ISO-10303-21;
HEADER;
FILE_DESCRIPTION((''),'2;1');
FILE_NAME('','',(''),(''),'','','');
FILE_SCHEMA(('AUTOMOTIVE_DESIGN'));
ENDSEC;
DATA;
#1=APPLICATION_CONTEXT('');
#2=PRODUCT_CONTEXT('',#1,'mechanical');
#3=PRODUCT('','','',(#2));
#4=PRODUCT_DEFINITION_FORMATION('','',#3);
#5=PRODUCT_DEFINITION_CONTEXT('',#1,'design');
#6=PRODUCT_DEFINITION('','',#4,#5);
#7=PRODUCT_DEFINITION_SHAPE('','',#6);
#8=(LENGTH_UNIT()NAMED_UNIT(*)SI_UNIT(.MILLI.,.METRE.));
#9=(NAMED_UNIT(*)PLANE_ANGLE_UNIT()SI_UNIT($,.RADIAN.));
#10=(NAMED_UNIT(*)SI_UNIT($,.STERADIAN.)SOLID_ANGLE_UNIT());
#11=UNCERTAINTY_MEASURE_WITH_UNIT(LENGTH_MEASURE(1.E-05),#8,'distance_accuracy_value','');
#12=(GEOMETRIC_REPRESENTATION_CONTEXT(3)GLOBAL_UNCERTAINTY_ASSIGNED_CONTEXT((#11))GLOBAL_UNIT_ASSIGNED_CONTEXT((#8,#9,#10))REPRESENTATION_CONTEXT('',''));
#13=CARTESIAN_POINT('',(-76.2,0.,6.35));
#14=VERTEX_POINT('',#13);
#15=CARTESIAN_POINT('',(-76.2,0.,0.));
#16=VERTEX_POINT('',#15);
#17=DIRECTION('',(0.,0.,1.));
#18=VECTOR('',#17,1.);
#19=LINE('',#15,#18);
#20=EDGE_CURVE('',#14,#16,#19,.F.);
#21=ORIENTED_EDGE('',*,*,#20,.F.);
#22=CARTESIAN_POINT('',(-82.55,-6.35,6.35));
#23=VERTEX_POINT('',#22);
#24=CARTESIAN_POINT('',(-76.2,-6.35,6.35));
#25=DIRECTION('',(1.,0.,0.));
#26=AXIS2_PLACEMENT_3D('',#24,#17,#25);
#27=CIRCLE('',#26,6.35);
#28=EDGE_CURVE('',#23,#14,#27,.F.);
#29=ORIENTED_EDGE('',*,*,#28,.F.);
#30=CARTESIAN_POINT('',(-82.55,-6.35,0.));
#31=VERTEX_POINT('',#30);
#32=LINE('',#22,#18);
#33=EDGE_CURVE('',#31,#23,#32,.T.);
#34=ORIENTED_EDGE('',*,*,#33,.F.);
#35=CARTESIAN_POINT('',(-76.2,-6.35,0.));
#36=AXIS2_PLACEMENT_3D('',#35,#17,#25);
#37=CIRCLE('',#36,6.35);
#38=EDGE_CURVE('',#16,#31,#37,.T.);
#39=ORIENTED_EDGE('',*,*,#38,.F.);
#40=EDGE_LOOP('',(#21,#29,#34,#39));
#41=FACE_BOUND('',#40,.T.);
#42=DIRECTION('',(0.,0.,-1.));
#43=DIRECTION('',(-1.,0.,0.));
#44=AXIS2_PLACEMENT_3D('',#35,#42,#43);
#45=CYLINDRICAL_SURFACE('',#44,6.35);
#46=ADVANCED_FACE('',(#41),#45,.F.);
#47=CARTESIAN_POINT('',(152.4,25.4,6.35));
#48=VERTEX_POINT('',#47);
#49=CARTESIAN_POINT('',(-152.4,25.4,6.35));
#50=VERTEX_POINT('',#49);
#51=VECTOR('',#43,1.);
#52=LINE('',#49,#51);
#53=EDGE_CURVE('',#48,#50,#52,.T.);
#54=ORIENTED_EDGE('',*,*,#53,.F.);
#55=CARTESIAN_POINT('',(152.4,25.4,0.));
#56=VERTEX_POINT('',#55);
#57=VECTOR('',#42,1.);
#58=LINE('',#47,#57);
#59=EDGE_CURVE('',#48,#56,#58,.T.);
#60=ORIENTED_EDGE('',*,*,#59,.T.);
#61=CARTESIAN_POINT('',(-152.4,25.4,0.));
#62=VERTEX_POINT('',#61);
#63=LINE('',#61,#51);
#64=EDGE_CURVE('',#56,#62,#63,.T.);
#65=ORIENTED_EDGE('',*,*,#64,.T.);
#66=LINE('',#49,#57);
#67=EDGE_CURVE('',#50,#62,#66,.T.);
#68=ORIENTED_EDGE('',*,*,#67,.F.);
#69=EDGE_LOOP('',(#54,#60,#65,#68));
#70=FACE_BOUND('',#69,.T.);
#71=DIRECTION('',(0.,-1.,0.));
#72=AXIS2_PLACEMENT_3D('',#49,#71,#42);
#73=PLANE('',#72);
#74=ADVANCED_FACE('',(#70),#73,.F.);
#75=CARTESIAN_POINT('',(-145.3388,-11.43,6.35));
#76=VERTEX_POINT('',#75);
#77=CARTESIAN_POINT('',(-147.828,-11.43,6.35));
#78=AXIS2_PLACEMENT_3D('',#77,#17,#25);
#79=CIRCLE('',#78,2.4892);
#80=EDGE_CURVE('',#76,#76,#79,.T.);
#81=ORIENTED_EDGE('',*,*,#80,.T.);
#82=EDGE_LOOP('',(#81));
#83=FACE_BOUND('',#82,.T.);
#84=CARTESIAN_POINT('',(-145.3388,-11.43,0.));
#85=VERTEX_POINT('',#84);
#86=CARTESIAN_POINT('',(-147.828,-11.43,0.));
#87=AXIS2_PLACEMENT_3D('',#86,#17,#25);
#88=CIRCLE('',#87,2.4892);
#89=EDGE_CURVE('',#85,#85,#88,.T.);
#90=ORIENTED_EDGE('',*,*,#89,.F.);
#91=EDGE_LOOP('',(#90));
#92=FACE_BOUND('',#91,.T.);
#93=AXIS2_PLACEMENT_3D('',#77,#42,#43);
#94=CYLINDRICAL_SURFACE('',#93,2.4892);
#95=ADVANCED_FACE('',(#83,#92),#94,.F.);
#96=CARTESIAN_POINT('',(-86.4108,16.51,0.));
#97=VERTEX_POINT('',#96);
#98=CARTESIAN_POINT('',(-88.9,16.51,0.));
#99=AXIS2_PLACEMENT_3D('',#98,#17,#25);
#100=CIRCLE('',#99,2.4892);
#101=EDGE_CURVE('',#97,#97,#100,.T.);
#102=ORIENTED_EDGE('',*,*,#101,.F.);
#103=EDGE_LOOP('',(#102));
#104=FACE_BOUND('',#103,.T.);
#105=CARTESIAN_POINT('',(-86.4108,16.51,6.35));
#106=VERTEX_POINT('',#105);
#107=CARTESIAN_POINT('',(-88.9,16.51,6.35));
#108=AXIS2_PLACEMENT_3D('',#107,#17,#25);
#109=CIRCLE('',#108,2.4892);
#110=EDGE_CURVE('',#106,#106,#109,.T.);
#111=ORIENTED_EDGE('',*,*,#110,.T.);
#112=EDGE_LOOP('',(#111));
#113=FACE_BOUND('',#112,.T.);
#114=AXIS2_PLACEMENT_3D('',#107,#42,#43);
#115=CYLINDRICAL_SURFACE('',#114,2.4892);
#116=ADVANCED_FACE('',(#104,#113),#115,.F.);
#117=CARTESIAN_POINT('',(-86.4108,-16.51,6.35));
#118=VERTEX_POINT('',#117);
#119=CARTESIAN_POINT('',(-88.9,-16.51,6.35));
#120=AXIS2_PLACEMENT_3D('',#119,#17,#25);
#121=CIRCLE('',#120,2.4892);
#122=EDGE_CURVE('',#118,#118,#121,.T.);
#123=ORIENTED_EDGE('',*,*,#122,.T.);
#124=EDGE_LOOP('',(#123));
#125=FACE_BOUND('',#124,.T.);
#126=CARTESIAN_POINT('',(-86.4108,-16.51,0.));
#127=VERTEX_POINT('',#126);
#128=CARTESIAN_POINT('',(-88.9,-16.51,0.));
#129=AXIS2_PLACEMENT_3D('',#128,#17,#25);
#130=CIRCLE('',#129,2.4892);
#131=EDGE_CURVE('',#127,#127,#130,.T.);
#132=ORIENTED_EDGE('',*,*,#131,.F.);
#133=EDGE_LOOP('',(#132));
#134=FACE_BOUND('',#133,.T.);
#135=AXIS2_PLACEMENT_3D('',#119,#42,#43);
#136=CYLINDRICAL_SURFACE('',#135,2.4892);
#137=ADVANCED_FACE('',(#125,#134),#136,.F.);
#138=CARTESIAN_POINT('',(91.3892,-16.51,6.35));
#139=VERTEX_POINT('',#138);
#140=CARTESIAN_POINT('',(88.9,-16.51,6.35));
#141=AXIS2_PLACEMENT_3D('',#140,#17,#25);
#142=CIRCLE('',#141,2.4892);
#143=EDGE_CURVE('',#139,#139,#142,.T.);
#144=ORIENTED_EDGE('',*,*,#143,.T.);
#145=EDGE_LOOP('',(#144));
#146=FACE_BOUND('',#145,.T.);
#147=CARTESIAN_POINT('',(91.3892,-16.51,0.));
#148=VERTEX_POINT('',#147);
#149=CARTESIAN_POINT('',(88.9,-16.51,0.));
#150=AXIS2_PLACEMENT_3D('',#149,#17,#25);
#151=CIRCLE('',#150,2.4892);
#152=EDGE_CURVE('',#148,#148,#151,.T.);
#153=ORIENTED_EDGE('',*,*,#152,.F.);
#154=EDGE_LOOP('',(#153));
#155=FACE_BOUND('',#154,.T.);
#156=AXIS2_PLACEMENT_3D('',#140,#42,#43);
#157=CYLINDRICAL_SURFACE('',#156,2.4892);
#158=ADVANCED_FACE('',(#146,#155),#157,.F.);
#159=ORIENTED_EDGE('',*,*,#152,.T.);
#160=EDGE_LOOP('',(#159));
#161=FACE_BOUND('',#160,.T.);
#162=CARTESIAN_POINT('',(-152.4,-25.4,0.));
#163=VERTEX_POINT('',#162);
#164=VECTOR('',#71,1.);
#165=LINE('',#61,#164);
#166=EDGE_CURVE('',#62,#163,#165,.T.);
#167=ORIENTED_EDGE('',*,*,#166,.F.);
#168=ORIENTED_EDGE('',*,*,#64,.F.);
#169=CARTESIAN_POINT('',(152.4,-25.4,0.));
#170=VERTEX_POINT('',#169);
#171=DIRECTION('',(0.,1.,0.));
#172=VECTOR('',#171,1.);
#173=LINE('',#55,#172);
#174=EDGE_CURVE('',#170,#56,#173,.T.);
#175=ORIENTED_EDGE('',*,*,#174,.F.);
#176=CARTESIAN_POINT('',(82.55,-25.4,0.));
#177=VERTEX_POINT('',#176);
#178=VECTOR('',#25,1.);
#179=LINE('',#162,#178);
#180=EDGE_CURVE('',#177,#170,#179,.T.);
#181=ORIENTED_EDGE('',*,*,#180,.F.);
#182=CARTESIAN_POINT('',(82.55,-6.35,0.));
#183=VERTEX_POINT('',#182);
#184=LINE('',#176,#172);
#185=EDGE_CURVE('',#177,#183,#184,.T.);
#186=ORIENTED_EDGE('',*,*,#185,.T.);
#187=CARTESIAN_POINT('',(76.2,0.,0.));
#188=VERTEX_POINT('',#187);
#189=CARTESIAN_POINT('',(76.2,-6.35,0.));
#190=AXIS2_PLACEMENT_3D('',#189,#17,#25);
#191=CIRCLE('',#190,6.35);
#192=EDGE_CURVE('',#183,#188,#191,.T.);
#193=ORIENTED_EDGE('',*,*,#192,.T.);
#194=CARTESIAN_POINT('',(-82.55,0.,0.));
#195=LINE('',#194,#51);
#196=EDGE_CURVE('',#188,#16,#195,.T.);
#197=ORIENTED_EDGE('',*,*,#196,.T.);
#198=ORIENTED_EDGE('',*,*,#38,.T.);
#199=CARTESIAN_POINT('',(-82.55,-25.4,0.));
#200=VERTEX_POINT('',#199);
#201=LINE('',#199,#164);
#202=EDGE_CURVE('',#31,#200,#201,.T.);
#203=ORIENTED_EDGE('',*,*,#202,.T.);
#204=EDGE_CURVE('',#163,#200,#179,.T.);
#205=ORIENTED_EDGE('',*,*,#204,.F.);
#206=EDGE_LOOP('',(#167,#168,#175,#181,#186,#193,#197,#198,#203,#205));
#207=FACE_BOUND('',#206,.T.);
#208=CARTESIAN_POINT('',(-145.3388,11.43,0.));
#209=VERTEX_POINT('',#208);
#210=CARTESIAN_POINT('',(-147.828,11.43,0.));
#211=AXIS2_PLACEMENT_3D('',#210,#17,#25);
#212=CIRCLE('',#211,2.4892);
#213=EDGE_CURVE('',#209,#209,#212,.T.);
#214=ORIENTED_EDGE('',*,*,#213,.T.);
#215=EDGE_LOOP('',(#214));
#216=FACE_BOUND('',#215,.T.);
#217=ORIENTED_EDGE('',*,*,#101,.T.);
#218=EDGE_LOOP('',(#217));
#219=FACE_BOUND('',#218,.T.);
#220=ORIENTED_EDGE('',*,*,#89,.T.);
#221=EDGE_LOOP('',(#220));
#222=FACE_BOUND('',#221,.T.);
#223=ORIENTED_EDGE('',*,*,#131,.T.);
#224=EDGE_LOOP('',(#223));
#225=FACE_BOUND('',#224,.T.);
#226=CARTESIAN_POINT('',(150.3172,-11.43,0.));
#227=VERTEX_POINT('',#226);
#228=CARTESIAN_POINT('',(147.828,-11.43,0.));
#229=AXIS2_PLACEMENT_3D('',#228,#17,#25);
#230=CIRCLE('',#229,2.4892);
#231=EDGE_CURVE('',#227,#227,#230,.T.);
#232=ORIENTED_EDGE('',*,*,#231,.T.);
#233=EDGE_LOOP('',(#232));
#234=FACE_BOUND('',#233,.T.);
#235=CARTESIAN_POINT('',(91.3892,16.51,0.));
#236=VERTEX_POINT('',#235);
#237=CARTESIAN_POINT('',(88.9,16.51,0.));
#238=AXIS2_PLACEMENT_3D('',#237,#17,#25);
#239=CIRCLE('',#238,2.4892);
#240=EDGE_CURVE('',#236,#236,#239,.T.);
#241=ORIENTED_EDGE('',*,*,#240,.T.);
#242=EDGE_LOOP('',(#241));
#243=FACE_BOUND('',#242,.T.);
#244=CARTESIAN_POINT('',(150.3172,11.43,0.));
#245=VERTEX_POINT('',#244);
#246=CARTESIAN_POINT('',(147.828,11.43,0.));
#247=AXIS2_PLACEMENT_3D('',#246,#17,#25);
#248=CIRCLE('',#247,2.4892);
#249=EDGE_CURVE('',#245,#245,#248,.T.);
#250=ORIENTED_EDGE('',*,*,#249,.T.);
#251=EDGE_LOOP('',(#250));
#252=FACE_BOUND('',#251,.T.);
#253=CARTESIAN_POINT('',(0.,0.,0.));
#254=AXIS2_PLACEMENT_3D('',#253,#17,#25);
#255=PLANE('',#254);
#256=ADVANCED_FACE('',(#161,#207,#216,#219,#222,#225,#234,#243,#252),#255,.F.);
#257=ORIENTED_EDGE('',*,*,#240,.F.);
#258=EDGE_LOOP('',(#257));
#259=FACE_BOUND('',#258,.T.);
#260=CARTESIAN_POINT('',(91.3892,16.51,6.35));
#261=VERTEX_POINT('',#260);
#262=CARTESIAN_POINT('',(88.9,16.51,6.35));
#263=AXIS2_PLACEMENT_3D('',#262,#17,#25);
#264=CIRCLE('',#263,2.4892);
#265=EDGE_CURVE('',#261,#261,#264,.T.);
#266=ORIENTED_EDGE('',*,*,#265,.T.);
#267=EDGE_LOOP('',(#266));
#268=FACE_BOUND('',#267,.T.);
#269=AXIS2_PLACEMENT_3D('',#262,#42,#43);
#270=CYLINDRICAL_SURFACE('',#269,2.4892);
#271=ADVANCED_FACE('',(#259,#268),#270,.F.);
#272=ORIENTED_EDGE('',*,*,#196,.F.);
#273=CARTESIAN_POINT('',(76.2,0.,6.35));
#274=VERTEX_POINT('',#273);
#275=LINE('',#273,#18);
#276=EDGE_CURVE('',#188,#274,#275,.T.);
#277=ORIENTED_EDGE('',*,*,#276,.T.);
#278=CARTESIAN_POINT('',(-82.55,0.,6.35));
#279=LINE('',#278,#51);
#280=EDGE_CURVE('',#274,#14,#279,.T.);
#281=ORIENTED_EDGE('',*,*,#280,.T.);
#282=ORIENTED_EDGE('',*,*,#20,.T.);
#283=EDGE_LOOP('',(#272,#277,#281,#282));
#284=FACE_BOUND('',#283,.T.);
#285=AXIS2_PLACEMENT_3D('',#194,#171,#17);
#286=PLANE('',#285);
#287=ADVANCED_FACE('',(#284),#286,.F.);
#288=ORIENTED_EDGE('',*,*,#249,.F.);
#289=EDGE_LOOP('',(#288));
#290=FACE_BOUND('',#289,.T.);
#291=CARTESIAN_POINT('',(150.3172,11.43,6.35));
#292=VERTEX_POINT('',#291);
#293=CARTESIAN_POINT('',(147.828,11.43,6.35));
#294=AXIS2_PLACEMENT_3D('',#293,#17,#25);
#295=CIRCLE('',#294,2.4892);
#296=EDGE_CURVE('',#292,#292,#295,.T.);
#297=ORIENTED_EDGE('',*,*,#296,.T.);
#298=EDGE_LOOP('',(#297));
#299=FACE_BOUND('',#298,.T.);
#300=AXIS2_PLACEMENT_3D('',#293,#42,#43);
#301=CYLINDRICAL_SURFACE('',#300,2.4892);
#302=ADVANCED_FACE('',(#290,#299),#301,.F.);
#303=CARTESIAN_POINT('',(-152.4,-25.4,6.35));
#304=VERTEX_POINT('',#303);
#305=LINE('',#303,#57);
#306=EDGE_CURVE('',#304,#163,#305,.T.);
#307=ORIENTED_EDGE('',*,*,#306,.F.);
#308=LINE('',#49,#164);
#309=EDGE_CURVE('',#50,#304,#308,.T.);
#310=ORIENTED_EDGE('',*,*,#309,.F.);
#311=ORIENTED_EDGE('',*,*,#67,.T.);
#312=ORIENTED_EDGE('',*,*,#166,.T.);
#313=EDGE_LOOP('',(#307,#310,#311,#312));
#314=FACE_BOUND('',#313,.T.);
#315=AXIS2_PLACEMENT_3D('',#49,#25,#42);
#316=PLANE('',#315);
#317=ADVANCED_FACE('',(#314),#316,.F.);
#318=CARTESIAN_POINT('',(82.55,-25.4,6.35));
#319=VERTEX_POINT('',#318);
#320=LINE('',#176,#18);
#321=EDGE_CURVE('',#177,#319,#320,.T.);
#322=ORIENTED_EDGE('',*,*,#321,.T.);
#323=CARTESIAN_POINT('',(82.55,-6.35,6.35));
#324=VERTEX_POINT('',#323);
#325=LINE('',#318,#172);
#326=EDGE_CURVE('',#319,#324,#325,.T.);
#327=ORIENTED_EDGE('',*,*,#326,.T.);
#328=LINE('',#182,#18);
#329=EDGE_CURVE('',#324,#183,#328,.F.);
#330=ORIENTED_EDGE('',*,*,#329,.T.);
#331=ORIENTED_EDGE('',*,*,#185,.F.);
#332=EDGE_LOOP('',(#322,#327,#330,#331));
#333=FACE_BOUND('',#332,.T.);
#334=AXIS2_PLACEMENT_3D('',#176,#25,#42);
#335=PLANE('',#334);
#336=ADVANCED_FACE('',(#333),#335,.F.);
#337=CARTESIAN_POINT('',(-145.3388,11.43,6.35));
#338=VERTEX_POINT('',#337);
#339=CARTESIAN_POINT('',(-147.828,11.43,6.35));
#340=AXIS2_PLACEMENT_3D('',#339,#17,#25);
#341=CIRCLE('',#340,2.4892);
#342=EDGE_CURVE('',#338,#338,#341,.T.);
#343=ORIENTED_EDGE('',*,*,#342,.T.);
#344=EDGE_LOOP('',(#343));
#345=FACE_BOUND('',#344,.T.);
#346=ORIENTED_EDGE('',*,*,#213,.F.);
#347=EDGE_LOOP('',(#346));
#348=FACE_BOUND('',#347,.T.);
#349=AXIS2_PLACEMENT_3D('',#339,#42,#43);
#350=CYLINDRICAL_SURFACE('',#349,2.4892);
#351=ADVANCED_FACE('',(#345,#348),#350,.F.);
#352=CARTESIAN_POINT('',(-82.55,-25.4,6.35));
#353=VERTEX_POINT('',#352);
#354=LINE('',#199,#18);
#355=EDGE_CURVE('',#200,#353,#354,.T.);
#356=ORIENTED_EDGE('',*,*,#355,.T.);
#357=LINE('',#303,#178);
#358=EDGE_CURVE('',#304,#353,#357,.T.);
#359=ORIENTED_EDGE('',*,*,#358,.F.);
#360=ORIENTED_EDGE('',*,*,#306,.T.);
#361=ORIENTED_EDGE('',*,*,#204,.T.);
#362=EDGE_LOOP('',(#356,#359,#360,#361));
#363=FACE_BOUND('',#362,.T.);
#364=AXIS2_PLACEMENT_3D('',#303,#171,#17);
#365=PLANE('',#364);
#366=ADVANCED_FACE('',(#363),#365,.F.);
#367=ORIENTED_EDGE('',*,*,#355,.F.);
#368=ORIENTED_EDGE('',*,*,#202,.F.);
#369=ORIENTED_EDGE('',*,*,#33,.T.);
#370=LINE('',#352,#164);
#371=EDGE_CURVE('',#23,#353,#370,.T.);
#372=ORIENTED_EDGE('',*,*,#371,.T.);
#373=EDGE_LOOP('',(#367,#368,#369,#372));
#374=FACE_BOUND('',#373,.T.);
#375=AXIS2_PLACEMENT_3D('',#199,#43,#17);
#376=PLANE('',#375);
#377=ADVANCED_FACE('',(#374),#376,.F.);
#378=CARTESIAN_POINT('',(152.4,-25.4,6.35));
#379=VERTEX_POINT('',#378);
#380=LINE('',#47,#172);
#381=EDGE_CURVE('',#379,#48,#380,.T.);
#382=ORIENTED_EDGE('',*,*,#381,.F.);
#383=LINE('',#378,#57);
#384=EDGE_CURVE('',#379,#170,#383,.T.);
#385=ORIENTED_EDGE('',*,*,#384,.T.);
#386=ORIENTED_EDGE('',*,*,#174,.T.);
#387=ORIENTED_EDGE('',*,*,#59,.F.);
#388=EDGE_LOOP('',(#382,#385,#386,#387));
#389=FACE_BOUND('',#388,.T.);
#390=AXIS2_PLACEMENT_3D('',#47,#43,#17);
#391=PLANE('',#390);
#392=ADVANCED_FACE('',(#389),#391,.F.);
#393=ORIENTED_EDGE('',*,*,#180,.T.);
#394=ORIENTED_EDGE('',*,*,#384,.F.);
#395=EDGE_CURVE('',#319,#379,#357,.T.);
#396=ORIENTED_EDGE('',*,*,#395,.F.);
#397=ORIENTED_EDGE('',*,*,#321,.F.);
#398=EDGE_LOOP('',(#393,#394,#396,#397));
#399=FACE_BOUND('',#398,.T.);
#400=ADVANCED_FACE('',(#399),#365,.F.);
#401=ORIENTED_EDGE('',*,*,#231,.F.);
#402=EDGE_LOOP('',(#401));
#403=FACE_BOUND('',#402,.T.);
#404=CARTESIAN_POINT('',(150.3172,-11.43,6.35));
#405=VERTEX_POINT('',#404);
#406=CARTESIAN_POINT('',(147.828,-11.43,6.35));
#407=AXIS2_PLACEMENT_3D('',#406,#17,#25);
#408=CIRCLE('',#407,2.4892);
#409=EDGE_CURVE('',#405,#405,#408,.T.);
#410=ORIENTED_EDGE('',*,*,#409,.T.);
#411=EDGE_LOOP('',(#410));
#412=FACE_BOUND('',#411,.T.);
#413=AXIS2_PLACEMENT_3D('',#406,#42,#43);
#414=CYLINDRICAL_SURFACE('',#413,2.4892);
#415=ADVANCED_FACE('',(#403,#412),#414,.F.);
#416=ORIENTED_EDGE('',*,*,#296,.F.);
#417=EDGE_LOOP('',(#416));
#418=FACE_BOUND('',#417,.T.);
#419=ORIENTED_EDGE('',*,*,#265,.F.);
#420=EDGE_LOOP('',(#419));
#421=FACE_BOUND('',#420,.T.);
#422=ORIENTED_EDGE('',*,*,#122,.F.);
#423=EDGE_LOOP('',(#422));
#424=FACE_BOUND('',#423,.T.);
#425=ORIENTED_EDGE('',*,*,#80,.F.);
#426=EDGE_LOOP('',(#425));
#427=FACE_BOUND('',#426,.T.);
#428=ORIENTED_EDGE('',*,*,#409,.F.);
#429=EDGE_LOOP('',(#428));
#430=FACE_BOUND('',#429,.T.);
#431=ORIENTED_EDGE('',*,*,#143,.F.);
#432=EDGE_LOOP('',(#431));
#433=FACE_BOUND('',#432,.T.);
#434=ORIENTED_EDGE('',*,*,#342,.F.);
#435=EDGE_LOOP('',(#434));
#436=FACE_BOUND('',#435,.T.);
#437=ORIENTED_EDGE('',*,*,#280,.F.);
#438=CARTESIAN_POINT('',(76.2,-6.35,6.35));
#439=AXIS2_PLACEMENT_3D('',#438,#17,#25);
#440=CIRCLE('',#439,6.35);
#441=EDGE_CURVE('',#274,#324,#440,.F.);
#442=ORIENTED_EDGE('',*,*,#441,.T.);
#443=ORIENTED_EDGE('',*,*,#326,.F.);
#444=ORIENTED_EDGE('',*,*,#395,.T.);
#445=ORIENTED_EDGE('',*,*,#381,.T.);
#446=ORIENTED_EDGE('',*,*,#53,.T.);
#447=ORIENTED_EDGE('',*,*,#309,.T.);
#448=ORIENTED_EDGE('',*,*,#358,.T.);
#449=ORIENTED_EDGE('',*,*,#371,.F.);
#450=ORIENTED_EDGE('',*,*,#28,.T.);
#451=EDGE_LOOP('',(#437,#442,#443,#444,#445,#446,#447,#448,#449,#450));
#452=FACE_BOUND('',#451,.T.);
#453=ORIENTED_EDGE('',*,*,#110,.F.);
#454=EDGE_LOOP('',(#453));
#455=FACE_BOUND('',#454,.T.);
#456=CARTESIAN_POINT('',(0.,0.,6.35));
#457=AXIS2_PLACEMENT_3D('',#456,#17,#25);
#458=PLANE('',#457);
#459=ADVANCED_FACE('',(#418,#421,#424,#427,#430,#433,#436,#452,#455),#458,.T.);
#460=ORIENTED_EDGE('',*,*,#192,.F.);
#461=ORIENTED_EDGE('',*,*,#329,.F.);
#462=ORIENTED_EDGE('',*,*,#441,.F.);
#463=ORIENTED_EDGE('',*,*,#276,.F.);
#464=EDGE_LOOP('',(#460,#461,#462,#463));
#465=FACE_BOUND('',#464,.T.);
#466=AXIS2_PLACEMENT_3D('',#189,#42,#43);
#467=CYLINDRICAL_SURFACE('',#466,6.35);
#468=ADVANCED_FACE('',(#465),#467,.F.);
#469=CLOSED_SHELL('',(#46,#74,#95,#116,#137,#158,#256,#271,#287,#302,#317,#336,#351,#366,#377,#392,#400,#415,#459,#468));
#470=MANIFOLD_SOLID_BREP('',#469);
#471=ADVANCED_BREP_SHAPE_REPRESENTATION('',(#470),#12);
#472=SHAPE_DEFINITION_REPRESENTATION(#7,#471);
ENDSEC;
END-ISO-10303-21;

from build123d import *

# Parameters (mm, degrees)
SKETCH1_W           = 304.8
SKETCH1_H           = 50.8
SKETCH1_R           = 2.4892
BOSS_EXTRUDE1_DEPTH = 6.35
SKETCH3_W           = 165.1
SKETCH3_H           = 25.4
CUT_EXTRUDE1_DEPTH  = 155.632604906
FILLET1_R           = 6.35


with BuildPart() as part:
    # Sketch1 → Boss-Extrude1 (new body)
    with BuildSketch(Plane.XY):
        Rectangle(SKETCH1_W, SKETCH1_H)
        with Locations((-88.9, 16.51)):
            Circle(SKETCH1_R, mode=Mode.SUBTRACT)
        with Locations((-88.9, -16.51)):
            Circle(SKETCH1_R, mode=Mode.SUBTRACT)
        with Locations((88.9, -16.51)):
            Circle(SKETCH1_R, mode=Mode.SUBTRACT)
        with Locations((88.9, 16.51)):
            Circle(SKETCH1_R, mode=Mode.SUBTRACT)
        with Locations((-147.828, 11.43)):
            Circle(SKETCH1_R, mode=Mode.SUBTRACT)
        with Locations((-147.828, -11.43)):
            Circle(SKETCH1_R, mode=Mode.SUBTRACT)
        with Locations((147.828, 11.43)):
            Circle(SKETCH1_R, mode=Mode.SUBTRACT)
        with Locations((147.828, -11.43)):
            Circle(SKETCH1_R, mode=Mode.SUBTRACT)
    extrude(amount=BOSS_EXTRUDE1_DEPTH)

    # Sketch3 → Cut-Extrude1 (cut, through all)
    with BuildSketch(Plane.XY.offset(6.35)):
        with Locations((0, -12.7)):
            Rectangle(SKETCH3_W, SKETCH3_H)
    extrude(amount=-CUT_EXTRUDE1_DEPTH, mode=Mode.SUBTRACT)

    # Fillet1
    fillet1_edges = [part.edges().sort_by_distance(p)[0] for p in [
        (-82.55, 0, 3.175),
        (82.55, 0, 3.175),
    ]]
    fillet(fillet1_edges, radius=FILLET1_R)


solid = part.part
